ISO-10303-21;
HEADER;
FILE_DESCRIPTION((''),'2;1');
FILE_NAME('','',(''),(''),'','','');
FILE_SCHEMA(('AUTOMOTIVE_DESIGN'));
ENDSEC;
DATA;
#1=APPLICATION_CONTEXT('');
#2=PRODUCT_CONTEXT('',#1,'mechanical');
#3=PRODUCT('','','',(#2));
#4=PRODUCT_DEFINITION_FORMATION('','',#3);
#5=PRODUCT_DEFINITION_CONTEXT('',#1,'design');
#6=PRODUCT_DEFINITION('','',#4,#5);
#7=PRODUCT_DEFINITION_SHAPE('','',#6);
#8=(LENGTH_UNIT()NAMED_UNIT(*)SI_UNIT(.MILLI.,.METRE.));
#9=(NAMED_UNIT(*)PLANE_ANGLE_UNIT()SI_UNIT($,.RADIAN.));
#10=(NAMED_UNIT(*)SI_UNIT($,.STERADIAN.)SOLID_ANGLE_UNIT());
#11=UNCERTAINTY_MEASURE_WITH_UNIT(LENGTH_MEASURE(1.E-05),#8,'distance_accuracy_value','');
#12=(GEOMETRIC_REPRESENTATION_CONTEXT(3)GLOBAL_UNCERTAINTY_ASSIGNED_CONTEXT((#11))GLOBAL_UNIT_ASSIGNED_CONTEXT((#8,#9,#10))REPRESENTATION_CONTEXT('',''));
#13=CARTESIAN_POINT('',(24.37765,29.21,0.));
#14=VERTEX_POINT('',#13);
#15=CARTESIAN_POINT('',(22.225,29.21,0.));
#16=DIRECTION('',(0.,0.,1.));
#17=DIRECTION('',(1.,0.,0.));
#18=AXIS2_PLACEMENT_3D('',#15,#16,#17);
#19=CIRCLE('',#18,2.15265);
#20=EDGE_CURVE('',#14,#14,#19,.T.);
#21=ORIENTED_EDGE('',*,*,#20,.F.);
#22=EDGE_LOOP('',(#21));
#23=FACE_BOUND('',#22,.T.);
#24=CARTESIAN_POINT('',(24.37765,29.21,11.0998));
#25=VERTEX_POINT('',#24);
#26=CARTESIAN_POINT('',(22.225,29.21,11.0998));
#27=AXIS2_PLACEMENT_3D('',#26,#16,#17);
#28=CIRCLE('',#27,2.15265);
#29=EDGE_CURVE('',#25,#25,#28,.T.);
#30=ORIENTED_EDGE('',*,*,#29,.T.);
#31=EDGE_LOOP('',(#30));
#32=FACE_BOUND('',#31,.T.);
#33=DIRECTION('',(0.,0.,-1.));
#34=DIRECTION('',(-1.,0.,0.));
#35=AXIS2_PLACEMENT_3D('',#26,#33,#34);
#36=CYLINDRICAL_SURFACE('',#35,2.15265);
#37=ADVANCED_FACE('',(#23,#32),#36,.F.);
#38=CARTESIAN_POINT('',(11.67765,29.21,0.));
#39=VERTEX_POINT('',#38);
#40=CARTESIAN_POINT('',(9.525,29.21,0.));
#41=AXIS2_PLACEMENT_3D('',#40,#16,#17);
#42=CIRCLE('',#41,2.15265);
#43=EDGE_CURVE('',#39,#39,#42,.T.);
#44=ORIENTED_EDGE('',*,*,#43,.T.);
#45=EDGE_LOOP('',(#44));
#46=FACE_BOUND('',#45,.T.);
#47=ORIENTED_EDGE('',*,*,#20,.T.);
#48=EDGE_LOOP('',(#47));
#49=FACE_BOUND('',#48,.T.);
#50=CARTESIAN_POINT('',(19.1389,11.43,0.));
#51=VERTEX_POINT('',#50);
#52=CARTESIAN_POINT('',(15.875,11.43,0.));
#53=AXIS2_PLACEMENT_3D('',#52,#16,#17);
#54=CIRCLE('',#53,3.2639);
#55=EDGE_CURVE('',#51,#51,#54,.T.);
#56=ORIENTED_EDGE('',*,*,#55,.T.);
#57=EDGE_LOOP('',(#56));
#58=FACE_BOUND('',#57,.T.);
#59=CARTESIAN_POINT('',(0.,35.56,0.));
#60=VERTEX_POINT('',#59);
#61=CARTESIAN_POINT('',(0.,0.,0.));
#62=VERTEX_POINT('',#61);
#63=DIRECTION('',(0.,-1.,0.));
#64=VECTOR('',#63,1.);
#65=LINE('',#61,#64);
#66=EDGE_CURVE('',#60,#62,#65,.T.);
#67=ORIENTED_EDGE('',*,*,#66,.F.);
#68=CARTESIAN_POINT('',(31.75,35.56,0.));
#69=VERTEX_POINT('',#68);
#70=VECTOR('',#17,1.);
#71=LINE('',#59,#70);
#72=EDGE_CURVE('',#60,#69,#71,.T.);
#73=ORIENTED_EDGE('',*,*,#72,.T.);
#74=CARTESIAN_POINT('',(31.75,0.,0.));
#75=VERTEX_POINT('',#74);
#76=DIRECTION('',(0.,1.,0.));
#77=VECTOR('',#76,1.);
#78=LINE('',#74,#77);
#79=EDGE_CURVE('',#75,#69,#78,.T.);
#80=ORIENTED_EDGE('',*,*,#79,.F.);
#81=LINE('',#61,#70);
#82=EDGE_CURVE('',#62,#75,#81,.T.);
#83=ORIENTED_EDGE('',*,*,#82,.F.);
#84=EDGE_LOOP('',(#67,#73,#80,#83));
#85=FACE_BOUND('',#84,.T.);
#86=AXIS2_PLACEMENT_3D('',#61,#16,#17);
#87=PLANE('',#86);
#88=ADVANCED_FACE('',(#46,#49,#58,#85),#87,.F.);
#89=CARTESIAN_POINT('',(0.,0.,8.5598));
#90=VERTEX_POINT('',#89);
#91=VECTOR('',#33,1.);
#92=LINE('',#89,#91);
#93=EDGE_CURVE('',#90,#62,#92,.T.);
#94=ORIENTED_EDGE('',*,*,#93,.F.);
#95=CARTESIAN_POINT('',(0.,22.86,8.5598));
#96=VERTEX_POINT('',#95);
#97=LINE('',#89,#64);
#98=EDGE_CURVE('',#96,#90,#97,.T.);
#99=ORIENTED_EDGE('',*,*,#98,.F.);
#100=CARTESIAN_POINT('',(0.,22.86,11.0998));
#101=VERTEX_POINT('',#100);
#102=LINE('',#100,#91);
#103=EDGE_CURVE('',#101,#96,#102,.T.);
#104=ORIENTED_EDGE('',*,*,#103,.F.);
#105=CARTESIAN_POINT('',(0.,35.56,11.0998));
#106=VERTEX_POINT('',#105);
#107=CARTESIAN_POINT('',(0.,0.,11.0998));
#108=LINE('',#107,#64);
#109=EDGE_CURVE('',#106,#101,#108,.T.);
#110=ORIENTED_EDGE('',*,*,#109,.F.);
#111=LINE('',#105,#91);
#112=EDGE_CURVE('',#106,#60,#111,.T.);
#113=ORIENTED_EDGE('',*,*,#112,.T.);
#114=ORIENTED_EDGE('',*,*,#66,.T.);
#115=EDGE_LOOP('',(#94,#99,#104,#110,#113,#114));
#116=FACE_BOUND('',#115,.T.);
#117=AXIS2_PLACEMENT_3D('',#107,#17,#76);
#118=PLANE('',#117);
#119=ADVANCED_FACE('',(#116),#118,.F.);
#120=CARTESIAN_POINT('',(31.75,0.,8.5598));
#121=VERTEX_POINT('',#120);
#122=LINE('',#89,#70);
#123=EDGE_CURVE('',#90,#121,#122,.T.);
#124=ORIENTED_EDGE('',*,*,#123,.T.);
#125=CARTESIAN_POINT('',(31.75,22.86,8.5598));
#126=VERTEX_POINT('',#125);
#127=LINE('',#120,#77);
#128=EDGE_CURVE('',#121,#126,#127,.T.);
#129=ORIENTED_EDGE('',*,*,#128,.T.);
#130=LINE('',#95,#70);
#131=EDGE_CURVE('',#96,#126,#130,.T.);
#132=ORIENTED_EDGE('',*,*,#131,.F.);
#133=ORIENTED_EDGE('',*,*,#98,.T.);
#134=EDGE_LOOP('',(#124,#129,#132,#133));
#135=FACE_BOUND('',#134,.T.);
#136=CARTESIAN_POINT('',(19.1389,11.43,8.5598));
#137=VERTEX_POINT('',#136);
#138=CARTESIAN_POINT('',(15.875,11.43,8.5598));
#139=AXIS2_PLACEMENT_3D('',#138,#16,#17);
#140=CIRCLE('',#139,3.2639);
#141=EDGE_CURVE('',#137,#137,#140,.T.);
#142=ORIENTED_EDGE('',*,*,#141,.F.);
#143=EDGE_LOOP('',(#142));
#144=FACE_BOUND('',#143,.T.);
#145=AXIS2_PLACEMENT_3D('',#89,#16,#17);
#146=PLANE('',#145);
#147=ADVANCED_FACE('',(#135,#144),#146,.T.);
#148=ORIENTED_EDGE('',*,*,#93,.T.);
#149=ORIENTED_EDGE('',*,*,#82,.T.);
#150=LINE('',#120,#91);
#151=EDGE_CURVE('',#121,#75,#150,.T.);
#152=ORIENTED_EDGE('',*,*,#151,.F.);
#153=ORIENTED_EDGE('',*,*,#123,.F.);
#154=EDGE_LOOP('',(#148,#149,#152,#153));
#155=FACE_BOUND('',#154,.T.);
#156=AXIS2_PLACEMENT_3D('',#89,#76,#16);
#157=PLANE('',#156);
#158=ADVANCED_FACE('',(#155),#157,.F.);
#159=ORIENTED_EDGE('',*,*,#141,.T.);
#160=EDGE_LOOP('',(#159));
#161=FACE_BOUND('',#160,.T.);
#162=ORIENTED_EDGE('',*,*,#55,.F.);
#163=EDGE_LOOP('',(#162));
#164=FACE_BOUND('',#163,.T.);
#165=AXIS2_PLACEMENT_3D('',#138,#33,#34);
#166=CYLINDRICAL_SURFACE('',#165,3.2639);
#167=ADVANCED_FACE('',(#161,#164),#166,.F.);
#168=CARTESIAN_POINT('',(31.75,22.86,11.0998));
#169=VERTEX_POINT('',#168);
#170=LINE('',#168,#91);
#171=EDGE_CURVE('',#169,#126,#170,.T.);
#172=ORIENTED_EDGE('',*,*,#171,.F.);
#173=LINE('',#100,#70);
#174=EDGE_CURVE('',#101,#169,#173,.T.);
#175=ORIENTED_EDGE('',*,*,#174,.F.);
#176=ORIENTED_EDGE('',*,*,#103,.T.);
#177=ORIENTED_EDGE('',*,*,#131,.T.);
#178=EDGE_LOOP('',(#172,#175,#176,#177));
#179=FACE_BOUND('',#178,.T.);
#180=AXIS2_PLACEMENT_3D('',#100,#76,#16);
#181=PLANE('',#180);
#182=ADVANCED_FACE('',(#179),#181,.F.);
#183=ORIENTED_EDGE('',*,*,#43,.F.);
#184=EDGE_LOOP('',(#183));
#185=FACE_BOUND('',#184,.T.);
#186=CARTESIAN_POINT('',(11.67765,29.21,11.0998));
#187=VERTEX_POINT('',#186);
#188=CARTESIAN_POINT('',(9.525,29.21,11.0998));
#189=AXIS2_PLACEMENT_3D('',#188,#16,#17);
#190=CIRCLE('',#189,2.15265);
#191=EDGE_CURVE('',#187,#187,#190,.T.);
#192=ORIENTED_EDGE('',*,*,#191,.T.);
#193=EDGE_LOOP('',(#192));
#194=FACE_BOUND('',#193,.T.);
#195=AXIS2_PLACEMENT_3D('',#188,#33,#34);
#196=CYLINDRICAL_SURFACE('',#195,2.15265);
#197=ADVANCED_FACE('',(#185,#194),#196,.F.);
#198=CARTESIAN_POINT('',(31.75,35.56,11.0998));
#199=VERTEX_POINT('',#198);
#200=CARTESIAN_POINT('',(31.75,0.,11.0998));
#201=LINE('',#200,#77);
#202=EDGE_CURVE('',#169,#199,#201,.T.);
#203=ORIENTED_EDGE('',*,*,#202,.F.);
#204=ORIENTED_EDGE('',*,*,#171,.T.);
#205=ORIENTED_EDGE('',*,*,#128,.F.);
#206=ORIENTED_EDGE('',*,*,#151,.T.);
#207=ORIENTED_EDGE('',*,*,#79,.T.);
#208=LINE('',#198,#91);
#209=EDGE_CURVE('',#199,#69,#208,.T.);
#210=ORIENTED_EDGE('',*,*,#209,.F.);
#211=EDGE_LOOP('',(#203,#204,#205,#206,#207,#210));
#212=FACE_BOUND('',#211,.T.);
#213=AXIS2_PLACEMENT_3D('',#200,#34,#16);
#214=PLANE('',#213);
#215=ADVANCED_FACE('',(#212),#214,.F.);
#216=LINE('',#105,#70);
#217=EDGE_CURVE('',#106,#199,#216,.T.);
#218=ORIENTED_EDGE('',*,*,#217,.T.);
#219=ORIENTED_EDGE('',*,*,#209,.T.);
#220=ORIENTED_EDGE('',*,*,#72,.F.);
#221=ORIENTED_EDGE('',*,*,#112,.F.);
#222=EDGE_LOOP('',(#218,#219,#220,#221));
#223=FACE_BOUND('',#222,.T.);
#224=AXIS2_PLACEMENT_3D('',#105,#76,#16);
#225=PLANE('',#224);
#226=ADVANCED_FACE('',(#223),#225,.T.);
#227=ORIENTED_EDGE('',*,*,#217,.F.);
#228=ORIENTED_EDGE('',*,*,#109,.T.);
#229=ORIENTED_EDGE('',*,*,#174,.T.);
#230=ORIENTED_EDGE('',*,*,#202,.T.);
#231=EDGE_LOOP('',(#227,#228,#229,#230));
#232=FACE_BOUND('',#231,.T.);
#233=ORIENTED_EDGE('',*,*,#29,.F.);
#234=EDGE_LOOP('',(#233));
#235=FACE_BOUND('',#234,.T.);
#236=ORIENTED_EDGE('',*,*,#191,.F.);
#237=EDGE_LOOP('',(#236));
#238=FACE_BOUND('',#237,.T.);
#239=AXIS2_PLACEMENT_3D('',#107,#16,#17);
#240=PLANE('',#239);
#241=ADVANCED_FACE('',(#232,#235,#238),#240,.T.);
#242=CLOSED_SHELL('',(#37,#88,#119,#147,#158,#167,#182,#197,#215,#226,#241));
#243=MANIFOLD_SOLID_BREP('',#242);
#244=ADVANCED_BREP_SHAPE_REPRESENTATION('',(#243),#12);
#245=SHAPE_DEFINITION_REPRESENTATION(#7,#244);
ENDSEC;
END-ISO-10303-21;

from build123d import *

# Parameters (mm, degrees)
SKETCH1_W           = 31.75
SKETCH1_H           = 12.7
SKETCH1_R           = 2.15265
BOSS_EXTRUDE1_DEPTH = 11.0998
SKETCH1_6_W         = 31.75
SKETCH1_6_H         = 22.86
SKETCH1_6_R         = 3.2639
BOSS_EXTRUDE2_DEPTH = 8.5598


with BuildPart() as part:
    # Sketch1 → Boss-Extrude1 (new body)
    with BuildSketch(Plane.XY):
        with Locations((15.875, 29.21)):
            Rectangle(SKETCH1_W, SKETCH1_H)
        with Locations((9.525, 29.21)):
            Circle(SKETCH1_R, mode=Mode.SUBTRACT)
        with Locations((22.225, 29.21)):
            Circle(SKETCH1_R, mode=Mode.SUBTRACT)
    extrude(amount=BOSS_EXTRUDE1_DEPTH)

    # Sketch1<6> → Boss-Extrude2 (add)
    with BuildSketch(Plane.XY):
        with Locations((15.875, 11.43)):
            Rectangle(SKETCH1_6_W, SKETCH1_6_H)
        with Locations((15.875, 11.43)):
            Circle(SKETCH1_6_R, mode=Mode.SUBTRACT)
    extrude(amount=BOSS_EXTRUDE2_DEPTH)


solid = part.part
